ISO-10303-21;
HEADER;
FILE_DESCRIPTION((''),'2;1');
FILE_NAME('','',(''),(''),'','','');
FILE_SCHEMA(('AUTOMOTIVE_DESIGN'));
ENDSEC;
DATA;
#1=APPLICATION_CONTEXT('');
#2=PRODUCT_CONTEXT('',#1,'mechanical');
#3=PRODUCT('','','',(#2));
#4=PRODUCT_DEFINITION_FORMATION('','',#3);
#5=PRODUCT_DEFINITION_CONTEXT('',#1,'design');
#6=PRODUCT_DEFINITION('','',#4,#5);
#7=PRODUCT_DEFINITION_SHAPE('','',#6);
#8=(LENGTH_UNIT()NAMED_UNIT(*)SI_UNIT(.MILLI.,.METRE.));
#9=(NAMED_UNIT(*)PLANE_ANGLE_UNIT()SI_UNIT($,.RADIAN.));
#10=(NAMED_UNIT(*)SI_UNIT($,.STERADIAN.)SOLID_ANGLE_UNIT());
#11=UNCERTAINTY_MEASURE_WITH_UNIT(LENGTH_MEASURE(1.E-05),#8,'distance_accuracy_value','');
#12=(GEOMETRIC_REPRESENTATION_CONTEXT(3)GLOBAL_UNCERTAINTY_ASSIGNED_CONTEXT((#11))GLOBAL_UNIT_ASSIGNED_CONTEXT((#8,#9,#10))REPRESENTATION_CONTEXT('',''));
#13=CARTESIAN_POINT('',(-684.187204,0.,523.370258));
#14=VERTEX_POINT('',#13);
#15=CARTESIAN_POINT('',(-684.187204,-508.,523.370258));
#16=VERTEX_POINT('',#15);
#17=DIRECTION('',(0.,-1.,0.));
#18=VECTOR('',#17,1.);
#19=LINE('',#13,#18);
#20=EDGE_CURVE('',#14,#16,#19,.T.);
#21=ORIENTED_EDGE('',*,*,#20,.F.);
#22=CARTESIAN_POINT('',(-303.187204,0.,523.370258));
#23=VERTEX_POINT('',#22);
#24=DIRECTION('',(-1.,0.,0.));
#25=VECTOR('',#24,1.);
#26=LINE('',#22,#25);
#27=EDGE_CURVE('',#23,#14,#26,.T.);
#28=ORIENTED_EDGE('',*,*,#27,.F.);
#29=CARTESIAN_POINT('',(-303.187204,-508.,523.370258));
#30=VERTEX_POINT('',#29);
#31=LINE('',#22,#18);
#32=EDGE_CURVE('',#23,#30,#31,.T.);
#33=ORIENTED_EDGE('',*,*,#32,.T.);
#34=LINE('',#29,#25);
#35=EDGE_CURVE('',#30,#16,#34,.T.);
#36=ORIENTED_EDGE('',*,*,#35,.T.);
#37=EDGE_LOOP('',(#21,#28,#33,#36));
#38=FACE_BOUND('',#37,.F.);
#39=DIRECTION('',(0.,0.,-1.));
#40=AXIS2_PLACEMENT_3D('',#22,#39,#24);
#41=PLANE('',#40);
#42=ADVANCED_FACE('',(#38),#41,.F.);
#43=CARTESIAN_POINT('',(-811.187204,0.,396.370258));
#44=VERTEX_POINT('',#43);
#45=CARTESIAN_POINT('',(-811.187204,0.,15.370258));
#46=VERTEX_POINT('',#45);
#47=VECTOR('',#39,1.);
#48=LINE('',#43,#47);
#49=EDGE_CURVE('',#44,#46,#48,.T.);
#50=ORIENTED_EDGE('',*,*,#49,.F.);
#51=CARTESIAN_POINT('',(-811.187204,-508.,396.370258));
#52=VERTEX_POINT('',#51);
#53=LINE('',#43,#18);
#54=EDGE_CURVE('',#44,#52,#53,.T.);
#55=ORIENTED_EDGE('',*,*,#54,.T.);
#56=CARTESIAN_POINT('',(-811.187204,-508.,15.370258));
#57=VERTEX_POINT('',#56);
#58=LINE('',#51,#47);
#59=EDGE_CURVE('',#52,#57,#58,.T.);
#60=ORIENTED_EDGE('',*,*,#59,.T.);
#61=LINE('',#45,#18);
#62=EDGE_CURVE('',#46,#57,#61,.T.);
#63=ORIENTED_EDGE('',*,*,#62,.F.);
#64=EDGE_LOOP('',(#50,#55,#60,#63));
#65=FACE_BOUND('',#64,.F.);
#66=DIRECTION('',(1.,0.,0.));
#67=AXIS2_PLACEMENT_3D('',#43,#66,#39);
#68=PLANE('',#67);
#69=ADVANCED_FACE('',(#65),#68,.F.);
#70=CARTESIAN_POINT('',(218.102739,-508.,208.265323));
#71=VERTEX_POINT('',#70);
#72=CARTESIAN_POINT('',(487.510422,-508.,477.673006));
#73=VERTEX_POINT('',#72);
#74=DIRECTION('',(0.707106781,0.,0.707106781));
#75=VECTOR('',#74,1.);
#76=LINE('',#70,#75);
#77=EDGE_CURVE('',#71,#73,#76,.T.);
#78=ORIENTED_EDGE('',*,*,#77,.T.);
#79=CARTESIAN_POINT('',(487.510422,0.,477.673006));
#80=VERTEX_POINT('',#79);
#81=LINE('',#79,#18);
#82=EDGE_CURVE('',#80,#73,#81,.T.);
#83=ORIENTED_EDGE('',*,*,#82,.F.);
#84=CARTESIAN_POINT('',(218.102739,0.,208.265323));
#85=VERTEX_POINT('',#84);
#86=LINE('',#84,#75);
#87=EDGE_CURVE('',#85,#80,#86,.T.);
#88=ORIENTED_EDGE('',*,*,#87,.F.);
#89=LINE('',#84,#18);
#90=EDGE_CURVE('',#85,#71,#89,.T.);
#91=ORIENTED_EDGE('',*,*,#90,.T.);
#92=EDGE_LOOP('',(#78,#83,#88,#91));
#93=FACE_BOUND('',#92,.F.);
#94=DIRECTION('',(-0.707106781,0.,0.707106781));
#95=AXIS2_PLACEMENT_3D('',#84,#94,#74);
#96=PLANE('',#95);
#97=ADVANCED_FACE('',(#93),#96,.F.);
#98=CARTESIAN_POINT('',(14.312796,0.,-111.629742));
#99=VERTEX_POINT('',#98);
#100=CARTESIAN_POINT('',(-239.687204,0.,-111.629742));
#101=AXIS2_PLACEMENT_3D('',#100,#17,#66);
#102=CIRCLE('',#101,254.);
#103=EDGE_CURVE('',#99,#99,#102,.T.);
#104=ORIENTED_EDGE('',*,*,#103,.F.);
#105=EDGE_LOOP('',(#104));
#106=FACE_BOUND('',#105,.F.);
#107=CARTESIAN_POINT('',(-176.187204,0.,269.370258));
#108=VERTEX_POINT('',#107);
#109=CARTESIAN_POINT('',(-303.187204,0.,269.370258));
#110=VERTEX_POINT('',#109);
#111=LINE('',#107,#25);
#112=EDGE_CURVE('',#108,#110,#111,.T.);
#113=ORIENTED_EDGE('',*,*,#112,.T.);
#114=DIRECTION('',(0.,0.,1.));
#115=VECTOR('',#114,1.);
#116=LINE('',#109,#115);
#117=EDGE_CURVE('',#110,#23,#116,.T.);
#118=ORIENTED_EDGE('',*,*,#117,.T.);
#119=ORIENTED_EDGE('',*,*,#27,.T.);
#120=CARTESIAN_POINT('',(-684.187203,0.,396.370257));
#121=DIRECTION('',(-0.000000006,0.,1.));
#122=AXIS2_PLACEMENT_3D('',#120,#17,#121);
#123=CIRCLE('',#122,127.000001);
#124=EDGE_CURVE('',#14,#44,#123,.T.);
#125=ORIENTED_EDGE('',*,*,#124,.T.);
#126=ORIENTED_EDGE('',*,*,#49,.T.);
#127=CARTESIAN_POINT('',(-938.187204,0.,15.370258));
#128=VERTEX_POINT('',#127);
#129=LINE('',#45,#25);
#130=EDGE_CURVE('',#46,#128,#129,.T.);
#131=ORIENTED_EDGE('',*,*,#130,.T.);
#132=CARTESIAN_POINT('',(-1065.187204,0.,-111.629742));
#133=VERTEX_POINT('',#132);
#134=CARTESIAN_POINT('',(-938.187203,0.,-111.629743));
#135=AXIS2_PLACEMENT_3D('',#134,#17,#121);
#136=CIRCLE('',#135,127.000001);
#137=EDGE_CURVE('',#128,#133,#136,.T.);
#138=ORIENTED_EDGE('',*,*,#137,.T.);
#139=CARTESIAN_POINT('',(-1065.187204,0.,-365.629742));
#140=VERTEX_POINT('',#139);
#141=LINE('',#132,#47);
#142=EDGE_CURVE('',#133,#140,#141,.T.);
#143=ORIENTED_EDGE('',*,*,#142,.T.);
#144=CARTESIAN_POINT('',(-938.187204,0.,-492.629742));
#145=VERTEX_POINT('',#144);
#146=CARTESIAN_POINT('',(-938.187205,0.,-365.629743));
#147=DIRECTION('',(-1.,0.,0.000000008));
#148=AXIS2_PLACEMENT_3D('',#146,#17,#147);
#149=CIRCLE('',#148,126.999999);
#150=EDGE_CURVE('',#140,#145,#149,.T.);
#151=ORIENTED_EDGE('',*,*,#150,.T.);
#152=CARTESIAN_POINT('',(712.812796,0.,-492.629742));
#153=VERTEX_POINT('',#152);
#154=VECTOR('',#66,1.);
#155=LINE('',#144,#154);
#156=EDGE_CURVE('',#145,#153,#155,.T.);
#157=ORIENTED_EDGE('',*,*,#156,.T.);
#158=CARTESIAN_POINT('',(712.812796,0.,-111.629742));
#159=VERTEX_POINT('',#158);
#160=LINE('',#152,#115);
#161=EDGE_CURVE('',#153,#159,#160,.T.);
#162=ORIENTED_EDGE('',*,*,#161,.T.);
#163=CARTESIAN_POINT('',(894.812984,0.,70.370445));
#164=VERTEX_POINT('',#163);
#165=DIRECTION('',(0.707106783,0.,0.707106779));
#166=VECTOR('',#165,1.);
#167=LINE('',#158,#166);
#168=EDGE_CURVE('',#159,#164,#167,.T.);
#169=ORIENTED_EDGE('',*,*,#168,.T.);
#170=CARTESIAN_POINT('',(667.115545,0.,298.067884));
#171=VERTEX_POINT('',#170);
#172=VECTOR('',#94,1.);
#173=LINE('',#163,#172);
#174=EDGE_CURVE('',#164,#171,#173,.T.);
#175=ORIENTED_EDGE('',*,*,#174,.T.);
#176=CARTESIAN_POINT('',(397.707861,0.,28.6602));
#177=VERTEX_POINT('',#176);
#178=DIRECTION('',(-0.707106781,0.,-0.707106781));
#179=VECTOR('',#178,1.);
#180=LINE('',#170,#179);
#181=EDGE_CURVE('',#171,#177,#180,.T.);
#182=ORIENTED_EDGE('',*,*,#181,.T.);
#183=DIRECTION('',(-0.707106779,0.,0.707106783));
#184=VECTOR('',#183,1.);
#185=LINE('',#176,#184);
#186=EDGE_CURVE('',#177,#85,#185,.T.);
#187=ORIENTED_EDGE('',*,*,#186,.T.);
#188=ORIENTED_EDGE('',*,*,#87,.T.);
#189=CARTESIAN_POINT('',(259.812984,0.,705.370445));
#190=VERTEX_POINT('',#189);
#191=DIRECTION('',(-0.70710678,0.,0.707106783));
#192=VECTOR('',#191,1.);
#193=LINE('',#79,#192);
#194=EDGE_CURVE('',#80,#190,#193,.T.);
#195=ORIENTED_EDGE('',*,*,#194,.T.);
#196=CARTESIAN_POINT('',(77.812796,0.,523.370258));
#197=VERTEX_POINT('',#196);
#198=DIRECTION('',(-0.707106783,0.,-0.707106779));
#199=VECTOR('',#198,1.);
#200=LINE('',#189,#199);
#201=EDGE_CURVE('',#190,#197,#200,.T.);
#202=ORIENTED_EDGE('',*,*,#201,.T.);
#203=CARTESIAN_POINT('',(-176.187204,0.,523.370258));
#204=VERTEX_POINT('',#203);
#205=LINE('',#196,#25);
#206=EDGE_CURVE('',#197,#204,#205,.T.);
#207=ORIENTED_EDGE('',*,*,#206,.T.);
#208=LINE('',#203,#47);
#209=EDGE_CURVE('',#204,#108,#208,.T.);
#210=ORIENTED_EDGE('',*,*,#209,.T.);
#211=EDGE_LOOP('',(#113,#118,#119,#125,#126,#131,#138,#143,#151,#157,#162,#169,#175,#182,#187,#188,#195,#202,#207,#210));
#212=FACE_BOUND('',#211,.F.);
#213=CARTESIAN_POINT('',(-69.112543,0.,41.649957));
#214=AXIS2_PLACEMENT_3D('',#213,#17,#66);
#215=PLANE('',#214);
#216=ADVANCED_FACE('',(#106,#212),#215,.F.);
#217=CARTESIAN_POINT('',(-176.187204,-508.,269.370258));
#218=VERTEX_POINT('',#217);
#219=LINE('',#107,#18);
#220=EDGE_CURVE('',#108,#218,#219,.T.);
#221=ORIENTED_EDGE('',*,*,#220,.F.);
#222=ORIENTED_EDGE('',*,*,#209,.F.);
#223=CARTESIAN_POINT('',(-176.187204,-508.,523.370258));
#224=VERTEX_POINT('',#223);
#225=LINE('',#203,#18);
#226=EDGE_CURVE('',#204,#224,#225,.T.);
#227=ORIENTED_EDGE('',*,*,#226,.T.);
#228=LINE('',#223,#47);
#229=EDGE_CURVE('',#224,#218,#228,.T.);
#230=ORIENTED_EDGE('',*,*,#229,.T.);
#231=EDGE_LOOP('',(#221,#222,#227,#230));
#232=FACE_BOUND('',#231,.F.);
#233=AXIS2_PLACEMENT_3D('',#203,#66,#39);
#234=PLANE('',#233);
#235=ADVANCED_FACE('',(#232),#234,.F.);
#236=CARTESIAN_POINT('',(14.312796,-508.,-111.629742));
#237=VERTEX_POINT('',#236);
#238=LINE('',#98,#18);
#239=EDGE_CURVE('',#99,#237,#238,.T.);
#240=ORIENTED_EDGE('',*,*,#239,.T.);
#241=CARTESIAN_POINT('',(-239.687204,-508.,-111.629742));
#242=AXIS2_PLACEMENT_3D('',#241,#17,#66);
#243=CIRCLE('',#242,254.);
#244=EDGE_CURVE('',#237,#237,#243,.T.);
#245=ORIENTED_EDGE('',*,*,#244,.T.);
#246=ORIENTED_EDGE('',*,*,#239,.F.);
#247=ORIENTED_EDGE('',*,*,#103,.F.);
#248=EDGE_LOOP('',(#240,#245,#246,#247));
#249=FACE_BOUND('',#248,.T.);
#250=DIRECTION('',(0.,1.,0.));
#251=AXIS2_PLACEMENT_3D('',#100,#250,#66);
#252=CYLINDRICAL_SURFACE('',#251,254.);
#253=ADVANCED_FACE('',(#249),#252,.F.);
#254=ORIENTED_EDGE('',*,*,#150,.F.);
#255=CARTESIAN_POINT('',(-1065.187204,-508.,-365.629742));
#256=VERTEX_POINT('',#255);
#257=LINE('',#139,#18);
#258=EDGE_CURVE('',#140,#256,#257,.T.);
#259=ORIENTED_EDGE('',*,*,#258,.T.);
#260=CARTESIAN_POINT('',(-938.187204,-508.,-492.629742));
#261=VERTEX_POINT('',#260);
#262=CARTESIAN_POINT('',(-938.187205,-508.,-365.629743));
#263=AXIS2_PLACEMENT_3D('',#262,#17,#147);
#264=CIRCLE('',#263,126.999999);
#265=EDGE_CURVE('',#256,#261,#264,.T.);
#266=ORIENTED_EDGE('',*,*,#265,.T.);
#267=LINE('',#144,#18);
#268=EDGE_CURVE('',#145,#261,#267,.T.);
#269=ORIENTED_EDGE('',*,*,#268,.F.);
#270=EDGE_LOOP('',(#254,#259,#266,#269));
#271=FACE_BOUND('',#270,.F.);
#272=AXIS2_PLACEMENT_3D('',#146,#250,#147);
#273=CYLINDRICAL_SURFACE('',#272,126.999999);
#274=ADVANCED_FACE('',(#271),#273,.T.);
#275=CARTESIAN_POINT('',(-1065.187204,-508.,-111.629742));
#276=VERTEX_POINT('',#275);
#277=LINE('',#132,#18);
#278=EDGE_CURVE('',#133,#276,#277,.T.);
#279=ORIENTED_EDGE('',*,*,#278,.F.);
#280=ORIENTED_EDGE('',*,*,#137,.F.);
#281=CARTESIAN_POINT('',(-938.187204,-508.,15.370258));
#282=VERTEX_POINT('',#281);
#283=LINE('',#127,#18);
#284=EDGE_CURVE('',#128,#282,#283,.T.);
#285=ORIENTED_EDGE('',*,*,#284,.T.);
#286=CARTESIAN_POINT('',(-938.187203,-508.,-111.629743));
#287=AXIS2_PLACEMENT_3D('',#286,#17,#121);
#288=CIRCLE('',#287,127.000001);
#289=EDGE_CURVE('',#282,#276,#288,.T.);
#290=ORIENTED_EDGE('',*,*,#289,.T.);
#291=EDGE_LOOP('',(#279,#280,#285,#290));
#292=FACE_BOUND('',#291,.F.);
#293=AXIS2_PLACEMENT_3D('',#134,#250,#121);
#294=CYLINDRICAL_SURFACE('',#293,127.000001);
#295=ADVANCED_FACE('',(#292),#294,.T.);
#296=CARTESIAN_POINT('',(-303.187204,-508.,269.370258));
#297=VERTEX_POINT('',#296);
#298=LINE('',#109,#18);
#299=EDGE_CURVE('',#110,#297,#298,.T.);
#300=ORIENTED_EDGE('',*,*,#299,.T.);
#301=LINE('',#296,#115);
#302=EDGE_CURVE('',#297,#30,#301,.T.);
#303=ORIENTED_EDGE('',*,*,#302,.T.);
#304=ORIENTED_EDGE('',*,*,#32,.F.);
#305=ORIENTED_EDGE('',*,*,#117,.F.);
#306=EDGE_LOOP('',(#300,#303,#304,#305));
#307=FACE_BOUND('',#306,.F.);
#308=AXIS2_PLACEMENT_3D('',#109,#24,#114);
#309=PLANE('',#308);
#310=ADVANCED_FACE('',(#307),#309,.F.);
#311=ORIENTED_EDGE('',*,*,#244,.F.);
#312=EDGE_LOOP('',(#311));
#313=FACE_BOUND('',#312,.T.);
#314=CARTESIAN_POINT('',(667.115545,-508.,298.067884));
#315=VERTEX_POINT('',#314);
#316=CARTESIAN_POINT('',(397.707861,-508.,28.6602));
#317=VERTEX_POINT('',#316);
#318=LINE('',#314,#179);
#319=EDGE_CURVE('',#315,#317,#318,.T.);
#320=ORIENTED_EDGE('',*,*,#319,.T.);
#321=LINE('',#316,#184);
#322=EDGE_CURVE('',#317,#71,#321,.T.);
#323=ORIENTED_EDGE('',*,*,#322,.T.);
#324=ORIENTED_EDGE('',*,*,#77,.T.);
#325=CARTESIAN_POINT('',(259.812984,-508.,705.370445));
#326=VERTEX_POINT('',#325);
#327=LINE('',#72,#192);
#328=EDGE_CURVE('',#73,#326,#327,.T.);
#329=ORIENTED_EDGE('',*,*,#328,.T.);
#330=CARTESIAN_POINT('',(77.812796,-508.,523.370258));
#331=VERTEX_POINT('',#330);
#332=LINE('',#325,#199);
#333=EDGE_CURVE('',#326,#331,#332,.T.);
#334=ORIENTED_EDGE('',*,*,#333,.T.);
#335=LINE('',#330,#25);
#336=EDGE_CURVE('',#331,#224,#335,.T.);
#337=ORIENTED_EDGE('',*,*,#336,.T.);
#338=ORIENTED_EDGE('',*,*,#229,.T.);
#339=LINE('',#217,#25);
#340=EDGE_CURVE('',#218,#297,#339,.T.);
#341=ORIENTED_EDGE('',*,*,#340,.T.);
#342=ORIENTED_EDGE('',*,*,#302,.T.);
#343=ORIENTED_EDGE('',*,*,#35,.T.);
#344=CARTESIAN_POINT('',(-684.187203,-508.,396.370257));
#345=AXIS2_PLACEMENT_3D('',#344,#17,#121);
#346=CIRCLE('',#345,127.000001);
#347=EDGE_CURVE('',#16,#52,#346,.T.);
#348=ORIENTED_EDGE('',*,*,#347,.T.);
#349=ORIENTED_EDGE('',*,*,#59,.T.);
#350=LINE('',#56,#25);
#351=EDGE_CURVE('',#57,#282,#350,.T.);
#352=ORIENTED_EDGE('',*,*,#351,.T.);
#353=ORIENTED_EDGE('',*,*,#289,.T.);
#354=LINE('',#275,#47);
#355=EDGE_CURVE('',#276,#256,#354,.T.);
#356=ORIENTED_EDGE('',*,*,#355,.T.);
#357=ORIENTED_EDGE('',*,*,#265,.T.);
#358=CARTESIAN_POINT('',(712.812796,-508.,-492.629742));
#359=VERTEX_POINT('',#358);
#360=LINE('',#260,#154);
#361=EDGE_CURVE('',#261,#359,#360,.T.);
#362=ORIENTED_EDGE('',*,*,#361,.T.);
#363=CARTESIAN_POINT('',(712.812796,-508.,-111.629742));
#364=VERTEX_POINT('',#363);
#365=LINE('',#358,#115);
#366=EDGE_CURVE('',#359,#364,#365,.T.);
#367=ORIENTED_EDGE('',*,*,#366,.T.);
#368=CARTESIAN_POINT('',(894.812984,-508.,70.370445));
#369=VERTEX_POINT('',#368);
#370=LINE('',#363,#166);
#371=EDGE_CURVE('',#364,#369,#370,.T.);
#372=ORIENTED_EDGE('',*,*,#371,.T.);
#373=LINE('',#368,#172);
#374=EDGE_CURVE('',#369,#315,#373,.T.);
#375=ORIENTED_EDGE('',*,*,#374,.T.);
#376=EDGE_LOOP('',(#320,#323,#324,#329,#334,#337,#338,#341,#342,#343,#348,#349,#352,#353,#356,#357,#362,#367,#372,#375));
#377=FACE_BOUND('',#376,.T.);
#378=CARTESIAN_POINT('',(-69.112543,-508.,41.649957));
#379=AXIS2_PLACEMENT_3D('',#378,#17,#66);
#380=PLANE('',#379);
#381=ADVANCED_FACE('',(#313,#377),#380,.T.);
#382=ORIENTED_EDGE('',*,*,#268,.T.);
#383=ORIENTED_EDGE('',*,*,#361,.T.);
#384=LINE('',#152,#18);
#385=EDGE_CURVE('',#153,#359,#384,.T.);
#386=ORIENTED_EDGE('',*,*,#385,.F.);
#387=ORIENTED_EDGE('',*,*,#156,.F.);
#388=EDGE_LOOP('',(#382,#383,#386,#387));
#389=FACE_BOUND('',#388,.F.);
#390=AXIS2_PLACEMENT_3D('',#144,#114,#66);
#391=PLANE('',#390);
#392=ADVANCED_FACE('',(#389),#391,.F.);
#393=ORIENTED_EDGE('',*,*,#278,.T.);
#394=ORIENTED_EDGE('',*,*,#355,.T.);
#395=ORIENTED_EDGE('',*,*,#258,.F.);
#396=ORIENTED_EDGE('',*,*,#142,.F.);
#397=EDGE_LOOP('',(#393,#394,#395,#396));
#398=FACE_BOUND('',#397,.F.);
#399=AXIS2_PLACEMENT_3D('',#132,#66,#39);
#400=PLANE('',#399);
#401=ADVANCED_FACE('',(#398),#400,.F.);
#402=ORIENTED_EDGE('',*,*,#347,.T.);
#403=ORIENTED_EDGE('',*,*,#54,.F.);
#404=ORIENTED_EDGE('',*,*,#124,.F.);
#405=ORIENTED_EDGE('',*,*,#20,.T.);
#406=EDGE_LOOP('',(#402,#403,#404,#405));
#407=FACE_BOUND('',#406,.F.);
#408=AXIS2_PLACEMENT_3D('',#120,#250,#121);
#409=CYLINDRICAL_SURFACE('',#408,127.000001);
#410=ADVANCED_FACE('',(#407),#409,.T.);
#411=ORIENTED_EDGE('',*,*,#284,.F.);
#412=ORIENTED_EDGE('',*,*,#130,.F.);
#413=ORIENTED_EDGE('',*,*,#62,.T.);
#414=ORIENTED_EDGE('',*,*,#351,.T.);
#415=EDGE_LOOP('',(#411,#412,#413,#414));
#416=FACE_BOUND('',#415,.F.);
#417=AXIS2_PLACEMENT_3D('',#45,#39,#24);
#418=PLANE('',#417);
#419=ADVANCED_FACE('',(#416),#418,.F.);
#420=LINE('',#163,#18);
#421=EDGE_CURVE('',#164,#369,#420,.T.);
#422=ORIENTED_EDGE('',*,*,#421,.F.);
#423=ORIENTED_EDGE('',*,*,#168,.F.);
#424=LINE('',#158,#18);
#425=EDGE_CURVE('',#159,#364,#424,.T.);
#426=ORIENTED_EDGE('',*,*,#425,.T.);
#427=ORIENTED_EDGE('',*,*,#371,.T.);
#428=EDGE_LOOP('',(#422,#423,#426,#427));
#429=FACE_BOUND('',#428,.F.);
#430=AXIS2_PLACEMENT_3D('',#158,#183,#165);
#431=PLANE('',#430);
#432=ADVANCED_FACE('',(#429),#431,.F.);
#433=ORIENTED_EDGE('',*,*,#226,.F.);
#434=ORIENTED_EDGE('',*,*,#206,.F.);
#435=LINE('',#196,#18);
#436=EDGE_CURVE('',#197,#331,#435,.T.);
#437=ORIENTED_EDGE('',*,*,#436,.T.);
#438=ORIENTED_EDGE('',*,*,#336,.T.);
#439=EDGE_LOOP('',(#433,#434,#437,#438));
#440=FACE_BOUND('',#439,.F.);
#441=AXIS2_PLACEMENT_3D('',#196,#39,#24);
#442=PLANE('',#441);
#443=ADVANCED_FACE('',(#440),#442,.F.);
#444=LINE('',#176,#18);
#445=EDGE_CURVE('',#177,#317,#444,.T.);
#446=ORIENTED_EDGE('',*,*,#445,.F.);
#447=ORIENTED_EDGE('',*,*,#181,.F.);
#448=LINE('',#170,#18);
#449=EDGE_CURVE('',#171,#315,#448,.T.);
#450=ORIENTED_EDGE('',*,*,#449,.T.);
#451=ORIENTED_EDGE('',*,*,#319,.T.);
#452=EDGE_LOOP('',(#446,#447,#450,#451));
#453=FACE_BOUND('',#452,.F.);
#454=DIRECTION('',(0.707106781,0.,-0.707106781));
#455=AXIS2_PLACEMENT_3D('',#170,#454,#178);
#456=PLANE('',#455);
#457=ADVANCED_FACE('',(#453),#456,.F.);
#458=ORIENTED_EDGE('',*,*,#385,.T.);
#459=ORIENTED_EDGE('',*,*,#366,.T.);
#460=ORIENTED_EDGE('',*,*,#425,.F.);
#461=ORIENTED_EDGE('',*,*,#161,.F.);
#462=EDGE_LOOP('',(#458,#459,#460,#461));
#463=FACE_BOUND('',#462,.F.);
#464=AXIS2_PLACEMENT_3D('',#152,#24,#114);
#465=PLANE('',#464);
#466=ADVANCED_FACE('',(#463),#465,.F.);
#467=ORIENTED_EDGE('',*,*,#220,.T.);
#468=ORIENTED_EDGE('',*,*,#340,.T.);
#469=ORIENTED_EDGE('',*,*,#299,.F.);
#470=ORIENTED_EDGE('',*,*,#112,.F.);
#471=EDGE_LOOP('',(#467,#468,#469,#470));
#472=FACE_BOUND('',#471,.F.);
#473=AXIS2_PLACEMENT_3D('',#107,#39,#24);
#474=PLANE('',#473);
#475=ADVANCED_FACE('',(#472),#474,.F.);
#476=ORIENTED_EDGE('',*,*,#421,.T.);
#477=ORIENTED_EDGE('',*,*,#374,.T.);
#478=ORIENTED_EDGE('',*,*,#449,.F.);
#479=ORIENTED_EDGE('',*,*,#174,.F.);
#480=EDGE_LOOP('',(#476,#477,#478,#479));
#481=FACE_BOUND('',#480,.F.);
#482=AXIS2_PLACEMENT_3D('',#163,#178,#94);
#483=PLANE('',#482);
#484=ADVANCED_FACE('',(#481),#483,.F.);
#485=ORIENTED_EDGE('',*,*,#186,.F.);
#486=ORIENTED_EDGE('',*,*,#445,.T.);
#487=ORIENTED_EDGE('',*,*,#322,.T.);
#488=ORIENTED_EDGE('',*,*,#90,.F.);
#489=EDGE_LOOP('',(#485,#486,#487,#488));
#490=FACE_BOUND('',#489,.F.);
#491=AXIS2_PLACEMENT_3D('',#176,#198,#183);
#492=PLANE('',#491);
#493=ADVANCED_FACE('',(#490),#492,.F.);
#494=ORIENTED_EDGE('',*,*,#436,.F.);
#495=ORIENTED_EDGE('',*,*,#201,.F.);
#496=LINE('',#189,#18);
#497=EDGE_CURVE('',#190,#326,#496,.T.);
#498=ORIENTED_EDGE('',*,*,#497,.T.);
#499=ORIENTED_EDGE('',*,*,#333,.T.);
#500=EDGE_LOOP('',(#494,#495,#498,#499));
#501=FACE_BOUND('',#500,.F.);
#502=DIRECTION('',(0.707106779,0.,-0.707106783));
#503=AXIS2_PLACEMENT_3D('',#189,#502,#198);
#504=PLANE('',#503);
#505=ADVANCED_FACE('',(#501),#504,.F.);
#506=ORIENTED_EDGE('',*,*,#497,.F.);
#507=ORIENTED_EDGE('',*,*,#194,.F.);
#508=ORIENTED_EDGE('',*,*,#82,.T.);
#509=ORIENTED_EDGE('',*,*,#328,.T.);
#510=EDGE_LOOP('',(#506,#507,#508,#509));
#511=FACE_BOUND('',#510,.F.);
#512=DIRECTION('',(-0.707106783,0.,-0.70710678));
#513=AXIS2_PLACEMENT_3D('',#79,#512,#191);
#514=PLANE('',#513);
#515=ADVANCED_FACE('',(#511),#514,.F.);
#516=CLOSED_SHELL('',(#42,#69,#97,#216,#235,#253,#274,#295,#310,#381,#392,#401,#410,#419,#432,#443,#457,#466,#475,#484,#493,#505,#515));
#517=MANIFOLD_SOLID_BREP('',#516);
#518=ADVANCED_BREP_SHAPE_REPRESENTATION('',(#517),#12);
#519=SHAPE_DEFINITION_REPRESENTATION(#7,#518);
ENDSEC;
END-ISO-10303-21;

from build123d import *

# Parameters (mm, degrees)
F0_R     = 254
F1_DEPTH = 508


with BuildPart() as f1:
    # F0 (on Front) → F1 (new body)
    with BuildSketch(Plane.XZ):
        with BuildLine():
            Line((-303.187204, 269.370258), (-303.187204, 523.370258))
            Line((-303.187204, 523.370258), (-684.187204, 523.370258))
            ThreePointArc((-684.187204, 523.370258), (-773.989765, 486.172819), (-811.187204, 396.370258))
            Line((-811.187204, 396.370258), (-811.187204, 15.370258))
            Line((-811.187204, 15.370258), (-938.187204, 15.370258))
            ThreePointArc((-938.187204, 15.370258), (-1027.989765, -21.827181), (-1065.187204, -111.629742))
            Line((-1065.187204, -111.629742), (-1065.187204, -365.629742))
            ThreePointArc((-1065.187204, -365.629742), (-1027.989765, -455.432304), (-938.187204, -492.629742))
            Line((-938.187204, -492.629742), (712.812796, -492.629742))
            Line((712.812796, -492.629742), (712.812796, -111.629742))
            Line((712.812796, -111.629742), (894.812984, 70.370445))
            Line((894.812984, 70.370445), (667.115545, 298.067884))
            Line((667.115545, 298.067884), (397.707861, 28.6602))
            Line((397.707861, 28.6602), (218.102739, 208.265323))
            Line((218.102739, 208.265323), (487.510422, 477.673006))
            Line((487.510422, 477.673006), (259.812984, 705.370445))
            Line((259.812984, 705.370445), (77.812796, 523.370258))
            Line((77.812796, 523.370258), (-176.187204, 523.370258))
            Line((-176.187204, 523.370258), (-176.187204, 269.370258))
            Line((-176.187204, 269.370258), (-303.187204, 269.370258))
        make_face()
        with Locations((-239.687204, -111.629742)):
            Circle(F0_R, mode=Mode.SUBTRACT)
    extrude(amount=F1_DEPTH)


solid = f1.part
